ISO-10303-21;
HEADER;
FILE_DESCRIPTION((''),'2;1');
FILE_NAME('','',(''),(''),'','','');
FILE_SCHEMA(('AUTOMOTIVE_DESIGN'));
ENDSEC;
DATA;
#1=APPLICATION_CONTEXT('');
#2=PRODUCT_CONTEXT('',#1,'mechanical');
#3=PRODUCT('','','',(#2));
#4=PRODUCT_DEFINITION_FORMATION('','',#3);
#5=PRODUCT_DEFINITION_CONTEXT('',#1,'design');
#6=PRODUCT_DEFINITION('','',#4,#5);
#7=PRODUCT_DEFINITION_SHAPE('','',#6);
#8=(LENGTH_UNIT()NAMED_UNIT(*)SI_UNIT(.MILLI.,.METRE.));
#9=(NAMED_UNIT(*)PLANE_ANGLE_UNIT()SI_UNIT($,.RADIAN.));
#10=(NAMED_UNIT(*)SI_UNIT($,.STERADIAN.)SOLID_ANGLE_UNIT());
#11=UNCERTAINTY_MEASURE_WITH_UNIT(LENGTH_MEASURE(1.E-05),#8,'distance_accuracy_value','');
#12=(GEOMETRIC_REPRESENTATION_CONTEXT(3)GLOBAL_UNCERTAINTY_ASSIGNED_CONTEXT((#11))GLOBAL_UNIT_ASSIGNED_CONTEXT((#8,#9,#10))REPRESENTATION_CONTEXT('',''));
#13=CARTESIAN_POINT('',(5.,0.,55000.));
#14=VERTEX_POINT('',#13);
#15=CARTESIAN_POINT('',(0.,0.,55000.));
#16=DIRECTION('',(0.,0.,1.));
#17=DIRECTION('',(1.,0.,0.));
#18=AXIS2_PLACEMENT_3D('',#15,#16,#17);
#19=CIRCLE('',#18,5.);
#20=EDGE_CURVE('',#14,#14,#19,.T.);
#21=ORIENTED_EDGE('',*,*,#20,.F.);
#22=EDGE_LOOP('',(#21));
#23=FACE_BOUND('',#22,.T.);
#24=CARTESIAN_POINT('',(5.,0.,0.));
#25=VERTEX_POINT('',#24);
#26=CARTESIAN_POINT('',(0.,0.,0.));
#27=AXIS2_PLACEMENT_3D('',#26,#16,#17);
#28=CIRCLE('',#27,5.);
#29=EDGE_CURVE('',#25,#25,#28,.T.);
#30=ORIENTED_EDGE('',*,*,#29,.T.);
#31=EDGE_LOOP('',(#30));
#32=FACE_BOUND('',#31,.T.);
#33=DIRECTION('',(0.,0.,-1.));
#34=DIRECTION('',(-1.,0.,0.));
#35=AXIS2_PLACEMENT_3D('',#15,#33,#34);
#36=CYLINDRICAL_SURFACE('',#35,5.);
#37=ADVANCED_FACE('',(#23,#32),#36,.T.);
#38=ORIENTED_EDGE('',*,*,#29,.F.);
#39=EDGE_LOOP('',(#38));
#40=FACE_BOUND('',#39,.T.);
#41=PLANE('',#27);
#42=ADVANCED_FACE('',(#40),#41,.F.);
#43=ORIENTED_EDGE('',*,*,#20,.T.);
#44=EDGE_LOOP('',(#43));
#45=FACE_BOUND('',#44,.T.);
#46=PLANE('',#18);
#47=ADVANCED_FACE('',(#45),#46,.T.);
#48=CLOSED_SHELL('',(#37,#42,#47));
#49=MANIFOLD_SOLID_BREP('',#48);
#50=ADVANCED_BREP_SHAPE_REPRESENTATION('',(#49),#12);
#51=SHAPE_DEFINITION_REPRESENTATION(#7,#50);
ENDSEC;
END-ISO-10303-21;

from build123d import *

# Parameters (mm, degrees)
SKETCH1_R           = 5
BOSS_EXTRUDE1_DEPTH = 55000


with BuildPart() as part:
    # Sketch1 → Boss-Extrude1 (new body)
    with BuildSketch(Plane.XY):
        Circle(SKETCH1_R)
    extrude(amount=BOSS_EXTRUDE1_DEPTH)


solid = part.part
